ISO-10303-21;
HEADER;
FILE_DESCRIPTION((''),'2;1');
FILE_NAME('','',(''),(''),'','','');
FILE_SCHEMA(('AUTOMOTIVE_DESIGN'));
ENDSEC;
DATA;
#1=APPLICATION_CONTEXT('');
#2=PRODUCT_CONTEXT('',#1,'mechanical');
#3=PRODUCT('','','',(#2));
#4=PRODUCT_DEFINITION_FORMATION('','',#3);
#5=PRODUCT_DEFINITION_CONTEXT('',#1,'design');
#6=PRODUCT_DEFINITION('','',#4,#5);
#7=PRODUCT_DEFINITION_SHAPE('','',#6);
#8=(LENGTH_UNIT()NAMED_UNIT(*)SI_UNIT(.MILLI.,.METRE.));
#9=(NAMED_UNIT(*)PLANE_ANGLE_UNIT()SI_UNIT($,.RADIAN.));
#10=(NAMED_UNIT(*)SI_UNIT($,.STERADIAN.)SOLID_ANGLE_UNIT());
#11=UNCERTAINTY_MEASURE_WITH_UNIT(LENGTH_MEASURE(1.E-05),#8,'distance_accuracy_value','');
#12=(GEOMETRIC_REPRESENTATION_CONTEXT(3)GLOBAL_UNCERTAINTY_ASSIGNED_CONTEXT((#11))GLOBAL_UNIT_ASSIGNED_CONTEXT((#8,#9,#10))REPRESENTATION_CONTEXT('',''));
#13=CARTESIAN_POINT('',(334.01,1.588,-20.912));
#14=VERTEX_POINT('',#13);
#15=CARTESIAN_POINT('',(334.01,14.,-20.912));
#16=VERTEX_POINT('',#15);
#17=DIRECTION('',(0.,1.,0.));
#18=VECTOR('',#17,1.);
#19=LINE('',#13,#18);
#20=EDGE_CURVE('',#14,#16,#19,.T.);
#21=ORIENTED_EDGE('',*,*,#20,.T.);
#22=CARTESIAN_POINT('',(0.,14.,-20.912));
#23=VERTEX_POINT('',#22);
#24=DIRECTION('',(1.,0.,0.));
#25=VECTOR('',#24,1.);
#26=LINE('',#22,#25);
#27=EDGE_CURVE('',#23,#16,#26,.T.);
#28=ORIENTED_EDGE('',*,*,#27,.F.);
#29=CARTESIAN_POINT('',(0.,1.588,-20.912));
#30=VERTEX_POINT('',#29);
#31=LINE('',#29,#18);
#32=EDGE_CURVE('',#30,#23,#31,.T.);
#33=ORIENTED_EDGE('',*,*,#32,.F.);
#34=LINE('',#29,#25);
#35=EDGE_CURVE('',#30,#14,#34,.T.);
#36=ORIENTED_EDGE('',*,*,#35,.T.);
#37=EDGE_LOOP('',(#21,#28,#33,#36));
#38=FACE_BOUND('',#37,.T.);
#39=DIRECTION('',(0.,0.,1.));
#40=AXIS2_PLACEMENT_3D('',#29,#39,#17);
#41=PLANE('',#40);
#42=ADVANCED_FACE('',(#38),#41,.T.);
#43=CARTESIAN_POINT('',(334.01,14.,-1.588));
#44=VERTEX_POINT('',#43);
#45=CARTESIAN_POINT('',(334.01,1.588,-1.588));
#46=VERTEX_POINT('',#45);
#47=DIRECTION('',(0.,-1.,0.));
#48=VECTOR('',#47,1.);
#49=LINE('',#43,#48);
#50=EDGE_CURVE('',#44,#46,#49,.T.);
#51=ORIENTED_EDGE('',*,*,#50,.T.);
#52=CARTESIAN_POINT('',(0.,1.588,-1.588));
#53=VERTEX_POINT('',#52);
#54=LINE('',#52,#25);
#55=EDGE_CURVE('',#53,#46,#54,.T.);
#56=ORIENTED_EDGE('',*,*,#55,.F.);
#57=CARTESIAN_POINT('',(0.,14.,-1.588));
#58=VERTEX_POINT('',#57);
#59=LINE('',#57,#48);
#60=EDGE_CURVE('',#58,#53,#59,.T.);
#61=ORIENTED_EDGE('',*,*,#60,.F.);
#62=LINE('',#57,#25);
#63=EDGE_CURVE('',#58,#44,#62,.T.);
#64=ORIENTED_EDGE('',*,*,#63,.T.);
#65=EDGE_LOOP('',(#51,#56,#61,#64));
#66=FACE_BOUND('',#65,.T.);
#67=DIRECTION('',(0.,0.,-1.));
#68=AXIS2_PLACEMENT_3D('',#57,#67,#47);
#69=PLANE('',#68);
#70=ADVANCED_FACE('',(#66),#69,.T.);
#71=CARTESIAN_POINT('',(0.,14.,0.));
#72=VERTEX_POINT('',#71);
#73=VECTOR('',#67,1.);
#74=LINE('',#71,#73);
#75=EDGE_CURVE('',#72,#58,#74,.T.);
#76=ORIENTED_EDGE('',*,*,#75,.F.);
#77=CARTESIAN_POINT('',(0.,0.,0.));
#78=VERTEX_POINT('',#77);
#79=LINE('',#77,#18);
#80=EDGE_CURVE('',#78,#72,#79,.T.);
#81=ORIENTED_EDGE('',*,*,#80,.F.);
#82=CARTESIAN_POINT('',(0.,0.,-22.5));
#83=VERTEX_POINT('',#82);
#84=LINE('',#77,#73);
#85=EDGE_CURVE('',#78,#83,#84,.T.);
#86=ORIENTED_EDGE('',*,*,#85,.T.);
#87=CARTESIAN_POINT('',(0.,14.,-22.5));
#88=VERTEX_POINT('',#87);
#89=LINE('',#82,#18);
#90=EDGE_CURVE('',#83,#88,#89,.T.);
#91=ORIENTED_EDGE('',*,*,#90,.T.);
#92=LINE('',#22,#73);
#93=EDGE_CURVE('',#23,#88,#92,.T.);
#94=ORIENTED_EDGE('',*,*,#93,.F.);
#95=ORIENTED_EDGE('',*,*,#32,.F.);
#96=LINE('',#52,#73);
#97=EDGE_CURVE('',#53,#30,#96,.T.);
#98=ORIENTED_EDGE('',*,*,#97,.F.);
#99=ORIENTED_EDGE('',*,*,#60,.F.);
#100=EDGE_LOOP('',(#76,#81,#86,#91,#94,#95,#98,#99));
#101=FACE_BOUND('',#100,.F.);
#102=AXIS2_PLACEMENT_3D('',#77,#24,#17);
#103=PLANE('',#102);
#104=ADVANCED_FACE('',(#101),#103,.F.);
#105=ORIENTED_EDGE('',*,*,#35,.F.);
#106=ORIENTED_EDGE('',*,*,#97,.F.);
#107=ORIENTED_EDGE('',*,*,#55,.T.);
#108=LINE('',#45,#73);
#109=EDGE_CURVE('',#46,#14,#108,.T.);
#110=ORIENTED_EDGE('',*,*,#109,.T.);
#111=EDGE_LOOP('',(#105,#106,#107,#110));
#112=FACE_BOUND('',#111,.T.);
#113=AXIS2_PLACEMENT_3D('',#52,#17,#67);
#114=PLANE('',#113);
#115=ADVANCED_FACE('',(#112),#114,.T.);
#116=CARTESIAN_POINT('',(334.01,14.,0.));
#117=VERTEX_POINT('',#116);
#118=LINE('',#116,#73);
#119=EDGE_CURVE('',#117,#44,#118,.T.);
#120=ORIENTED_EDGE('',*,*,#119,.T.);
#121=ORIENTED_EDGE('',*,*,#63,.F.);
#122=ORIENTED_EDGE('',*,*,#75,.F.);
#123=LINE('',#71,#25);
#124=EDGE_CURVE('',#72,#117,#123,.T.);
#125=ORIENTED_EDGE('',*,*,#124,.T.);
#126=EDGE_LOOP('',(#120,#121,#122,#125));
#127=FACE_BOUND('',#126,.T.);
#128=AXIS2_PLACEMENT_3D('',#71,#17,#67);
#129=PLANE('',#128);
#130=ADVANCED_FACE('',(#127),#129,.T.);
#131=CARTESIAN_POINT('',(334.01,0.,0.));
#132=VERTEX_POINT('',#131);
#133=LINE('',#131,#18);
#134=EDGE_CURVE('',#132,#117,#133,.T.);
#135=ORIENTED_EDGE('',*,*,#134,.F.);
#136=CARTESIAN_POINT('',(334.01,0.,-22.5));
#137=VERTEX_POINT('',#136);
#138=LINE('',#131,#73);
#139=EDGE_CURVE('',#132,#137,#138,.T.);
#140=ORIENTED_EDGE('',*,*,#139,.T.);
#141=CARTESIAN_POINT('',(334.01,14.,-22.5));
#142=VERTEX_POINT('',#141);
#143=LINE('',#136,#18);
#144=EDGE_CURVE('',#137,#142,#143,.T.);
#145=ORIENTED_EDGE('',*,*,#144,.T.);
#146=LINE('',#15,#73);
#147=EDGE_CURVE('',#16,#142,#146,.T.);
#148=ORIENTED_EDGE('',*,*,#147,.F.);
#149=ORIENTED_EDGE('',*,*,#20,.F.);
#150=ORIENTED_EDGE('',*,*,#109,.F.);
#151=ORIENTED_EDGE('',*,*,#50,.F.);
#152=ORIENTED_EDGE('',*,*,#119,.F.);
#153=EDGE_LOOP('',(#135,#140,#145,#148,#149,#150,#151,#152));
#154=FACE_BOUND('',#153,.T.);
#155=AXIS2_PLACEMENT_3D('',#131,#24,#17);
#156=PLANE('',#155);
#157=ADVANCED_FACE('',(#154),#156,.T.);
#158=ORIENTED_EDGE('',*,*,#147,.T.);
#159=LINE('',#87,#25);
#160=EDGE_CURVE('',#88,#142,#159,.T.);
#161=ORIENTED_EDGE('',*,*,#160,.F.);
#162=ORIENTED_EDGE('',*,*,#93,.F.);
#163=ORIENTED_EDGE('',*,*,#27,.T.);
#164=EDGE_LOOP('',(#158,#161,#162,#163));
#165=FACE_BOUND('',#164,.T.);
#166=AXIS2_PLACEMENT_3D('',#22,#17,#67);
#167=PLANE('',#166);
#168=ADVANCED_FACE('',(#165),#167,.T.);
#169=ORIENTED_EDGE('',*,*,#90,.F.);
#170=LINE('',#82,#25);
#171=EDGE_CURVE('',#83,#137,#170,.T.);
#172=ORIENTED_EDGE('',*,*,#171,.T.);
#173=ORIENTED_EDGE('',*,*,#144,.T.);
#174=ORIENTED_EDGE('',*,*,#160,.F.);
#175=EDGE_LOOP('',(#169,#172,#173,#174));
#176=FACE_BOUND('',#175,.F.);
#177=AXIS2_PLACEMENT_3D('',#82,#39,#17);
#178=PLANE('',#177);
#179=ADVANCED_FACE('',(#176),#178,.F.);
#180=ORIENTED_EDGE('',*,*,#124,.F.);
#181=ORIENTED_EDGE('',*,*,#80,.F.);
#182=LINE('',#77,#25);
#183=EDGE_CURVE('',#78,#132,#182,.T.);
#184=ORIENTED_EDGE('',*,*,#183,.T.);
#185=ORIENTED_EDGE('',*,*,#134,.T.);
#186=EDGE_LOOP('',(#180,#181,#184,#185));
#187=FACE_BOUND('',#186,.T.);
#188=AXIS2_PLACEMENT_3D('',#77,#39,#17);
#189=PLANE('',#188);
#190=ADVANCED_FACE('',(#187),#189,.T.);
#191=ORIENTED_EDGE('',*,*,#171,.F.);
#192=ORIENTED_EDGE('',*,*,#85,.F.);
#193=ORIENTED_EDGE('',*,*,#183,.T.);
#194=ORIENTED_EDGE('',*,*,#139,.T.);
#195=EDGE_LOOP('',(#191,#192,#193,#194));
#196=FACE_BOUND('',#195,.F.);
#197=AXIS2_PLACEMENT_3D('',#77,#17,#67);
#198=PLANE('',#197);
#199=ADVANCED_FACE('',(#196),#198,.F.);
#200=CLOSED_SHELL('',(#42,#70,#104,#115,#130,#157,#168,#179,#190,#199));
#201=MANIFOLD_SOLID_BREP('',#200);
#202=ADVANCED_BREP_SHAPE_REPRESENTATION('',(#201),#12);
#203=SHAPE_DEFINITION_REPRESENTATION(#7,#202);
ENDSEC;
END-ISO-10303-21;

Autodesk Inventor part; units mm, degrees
ref_plane "YZ Plane" through (0, 0, 0) normal (1, 0, 0) x (0, 1, 0)
ref_plane "XZ Plane" through (0, 0, 0) normal (0, 1, 0) x (-1, 0, 0)
ref_plane "XY Plane" through (0, 0, 0) normal (0, 0, 1) x (1, 0, 0)
sketch "Sketch1" plane through (0, 0, 0) normal (1, 0, 0) x (0, 1, 0)
  point P0 (0, 0)
sketch "Sketch2" plane through (0, 0, 0) normal (1, 0, 0) x (0, 1, 0)
  line L0 (0, 0) -> (0, -22.5)
  line L1 (0, 0) -> (14, 0)
  line L2 (0, -22.5) -> (14, -22.5)
  line L3 (14, 0) -> (14, -1.588)
  line L4 (14, -1.588) -> (1.588, -1.588)
  line L5 (1.588, -1.588) -> (1.588, -20.912)
  line L6 (1.588, -20.912) -> (14, -20.912)
  line L7 (14, -20.912) -> (14, -22.5)
  dimension "d0" = 22.5
  dimension "d1" = 14
  dimension "d2" = 14
  dimension "d3" = 1.588
  dimension "d4" = 12.412
  dimension "d5" = 19.324
extrude "Extrusion1" add sketch "Sketch2" along normal blind 334.01
properties part number "alCchannel"
